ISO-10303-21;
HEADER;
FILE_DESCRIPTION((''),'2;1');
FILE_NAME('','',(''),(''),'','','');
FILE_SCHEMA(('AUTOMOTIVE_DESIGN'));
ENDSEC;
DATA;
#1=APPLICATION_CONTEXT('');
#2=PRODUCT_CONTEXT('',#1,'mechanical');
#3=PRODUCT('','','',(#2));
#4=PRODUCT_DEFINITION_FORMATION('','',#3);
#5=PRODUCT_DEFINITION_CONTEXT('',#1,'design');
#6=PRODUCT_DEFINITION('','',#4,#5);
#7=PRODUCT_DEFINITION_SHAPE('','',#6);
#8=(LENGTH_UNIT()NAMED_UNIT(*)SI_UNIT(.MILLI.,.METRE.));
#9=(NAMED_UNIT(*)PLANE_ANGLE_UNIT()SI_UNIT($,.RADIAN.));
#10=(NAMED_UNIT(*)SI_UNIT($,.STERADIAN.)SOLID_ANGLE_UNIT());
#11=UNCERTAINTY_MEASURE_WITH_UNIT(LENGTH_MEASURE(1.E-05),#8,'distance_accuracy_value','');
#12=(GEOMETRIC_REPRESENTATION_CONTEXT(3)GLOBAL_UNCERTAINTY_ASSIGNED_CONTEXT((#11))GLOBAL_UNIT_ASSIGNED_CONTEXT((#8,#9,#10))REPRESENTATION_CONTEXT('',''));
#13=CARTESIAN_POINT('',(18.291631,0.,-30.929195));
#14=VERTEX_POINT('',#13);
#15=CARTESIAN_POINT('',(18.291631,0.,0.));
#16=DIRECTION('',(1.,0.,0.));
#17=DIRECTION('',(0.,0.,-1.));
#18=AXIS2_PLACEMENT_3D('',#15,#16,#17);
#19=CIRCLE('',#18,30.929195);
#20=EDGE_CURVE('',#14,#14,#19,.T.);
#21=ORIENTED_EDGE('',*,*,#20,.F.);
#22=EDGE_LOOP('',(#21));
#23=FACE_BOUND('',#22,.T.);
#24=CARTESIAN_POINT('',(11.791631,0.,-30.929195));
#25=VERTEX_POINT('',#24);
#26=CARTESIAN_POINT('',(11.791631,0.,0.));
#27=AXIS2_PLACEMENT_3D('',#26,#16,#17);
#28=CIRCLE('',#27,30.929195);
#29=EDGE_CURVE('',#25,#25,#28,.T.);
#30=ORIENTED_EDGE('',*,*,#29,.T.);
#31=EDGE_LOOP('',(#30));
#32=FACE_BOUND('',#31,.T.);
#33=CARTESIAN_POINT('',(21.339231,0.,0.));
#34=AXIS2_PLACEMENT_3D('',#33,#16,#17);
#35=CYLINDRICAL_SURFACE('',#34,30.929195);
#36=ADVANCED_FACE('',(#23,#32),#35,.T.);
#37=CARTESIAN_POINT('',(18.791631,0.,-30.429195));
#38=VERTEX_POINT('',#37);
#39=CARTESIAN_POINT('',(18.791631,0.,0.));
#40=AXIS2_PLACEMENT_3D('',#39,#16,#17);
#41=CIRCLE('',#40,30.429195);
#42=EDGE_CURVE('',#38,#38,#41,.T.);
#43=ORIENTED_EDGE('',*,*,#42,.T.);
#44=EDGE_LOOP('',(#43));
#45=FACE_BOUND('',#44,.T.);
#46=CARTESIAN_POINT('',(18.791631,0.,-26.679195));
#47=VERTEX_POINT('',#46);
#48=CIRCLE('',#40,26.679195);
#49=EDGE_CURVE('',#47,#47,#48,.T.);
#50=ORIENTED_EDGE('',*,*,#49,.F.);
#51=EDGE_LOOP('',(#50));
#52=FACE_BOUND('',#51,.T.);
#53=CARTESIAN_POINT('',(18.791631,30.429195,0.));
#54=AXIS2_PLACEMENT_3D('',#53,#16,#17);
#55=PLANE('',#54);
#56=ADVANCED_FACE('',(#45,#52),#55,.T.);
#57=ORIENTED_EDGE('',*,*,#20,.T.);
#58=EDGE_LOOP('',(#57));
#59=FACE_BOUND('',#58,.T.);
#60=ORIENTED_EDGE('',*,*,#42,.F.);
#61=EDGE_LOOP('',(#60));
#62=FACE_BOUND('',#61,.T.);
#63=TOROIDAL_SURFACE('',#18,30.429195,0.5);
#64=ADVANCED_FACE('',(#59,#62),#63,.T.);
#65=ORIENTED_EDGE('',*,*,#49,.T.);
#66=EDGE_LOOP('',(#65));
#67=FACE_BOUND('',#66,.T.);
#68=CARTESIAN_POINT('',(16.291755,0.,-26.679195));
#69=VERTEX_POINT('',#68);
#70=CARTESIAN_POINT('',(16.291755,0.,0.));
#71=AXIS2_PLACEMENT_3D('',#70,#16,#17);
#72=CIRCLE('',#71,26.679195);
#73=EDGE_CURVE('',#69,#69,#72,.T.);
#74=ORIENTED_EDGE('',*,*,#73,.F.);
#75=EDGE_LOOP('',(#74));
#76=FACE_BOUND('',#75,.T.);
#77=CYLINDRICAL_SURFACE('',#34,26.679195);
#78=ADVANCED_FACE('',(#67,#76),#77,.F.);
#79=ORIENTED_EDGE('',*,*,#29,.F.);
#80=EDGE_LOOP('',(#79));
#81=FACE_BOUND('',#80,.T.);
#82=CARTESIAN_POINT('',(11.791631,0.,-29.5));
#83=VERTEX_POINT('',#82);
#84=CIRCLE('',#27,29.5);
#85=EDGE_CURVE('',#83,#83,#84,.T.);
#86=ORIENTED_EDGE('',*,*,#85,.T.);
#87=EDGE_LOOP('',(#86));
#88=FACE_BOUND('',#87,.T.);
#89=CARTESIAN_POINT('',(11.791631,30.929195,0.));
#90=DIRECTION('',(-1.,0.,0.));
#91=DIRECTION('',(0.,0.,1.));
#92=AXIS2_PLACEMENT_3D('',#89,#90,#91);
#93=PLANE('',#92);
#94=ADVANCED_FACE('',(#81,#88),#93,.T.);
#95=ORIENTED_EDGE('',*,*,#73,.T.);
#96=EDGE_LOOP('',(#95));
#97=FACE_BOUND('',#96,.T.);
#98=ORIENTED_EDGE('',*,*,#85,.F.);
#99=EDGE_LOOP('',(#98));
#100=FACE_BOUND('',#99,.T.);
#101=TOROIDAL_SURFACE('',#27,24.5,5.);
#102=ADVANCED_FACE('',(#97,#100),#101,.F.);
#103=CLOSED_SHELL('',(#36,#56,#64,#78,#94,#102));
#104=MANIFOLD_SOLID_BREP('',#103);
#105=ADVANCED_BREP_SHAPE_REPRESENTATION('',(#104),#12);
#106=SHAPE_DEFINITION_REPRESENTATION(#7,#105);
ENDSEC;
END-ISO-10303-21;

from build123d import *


with BuildPart() as part:
    # Esquisse1 → Base-Révolution (revolve)
    with BuildSketch(Plane.XY, mode=Mode.PRIVATE) as base_r_volution_sk:
        with BuildLine():
            Line((11.791631281, 30.929194786), (18.291631281, 30.929194786))
            ThreePointArc((18.291631281, 30.929194786), (18.645184672, 30.782748177), (18.791631281, 30.429194786))
            Line((18.791631281, 30.429194786), (18.791631281, 26.679194786))
            Line((18.791631281, 26.679194786), (16.291754622, 26.679194786))
            ThreePointArc((16.291754622, 26.679194786), (14.44719394, 28.736506458), (11.791631281, 29.5))
            Line((11.791631281, 29.5), (11.791631281, 30.929194786))
        make_face()
    revolve(base_r_volution_sk.sketch.rotate(Axis((21.339230801, 0, 0), (-1, 0, 0)), 90), axis=Axis((21.339230801, 0, 0), (-1, 0, 0)))


solid = part.part
